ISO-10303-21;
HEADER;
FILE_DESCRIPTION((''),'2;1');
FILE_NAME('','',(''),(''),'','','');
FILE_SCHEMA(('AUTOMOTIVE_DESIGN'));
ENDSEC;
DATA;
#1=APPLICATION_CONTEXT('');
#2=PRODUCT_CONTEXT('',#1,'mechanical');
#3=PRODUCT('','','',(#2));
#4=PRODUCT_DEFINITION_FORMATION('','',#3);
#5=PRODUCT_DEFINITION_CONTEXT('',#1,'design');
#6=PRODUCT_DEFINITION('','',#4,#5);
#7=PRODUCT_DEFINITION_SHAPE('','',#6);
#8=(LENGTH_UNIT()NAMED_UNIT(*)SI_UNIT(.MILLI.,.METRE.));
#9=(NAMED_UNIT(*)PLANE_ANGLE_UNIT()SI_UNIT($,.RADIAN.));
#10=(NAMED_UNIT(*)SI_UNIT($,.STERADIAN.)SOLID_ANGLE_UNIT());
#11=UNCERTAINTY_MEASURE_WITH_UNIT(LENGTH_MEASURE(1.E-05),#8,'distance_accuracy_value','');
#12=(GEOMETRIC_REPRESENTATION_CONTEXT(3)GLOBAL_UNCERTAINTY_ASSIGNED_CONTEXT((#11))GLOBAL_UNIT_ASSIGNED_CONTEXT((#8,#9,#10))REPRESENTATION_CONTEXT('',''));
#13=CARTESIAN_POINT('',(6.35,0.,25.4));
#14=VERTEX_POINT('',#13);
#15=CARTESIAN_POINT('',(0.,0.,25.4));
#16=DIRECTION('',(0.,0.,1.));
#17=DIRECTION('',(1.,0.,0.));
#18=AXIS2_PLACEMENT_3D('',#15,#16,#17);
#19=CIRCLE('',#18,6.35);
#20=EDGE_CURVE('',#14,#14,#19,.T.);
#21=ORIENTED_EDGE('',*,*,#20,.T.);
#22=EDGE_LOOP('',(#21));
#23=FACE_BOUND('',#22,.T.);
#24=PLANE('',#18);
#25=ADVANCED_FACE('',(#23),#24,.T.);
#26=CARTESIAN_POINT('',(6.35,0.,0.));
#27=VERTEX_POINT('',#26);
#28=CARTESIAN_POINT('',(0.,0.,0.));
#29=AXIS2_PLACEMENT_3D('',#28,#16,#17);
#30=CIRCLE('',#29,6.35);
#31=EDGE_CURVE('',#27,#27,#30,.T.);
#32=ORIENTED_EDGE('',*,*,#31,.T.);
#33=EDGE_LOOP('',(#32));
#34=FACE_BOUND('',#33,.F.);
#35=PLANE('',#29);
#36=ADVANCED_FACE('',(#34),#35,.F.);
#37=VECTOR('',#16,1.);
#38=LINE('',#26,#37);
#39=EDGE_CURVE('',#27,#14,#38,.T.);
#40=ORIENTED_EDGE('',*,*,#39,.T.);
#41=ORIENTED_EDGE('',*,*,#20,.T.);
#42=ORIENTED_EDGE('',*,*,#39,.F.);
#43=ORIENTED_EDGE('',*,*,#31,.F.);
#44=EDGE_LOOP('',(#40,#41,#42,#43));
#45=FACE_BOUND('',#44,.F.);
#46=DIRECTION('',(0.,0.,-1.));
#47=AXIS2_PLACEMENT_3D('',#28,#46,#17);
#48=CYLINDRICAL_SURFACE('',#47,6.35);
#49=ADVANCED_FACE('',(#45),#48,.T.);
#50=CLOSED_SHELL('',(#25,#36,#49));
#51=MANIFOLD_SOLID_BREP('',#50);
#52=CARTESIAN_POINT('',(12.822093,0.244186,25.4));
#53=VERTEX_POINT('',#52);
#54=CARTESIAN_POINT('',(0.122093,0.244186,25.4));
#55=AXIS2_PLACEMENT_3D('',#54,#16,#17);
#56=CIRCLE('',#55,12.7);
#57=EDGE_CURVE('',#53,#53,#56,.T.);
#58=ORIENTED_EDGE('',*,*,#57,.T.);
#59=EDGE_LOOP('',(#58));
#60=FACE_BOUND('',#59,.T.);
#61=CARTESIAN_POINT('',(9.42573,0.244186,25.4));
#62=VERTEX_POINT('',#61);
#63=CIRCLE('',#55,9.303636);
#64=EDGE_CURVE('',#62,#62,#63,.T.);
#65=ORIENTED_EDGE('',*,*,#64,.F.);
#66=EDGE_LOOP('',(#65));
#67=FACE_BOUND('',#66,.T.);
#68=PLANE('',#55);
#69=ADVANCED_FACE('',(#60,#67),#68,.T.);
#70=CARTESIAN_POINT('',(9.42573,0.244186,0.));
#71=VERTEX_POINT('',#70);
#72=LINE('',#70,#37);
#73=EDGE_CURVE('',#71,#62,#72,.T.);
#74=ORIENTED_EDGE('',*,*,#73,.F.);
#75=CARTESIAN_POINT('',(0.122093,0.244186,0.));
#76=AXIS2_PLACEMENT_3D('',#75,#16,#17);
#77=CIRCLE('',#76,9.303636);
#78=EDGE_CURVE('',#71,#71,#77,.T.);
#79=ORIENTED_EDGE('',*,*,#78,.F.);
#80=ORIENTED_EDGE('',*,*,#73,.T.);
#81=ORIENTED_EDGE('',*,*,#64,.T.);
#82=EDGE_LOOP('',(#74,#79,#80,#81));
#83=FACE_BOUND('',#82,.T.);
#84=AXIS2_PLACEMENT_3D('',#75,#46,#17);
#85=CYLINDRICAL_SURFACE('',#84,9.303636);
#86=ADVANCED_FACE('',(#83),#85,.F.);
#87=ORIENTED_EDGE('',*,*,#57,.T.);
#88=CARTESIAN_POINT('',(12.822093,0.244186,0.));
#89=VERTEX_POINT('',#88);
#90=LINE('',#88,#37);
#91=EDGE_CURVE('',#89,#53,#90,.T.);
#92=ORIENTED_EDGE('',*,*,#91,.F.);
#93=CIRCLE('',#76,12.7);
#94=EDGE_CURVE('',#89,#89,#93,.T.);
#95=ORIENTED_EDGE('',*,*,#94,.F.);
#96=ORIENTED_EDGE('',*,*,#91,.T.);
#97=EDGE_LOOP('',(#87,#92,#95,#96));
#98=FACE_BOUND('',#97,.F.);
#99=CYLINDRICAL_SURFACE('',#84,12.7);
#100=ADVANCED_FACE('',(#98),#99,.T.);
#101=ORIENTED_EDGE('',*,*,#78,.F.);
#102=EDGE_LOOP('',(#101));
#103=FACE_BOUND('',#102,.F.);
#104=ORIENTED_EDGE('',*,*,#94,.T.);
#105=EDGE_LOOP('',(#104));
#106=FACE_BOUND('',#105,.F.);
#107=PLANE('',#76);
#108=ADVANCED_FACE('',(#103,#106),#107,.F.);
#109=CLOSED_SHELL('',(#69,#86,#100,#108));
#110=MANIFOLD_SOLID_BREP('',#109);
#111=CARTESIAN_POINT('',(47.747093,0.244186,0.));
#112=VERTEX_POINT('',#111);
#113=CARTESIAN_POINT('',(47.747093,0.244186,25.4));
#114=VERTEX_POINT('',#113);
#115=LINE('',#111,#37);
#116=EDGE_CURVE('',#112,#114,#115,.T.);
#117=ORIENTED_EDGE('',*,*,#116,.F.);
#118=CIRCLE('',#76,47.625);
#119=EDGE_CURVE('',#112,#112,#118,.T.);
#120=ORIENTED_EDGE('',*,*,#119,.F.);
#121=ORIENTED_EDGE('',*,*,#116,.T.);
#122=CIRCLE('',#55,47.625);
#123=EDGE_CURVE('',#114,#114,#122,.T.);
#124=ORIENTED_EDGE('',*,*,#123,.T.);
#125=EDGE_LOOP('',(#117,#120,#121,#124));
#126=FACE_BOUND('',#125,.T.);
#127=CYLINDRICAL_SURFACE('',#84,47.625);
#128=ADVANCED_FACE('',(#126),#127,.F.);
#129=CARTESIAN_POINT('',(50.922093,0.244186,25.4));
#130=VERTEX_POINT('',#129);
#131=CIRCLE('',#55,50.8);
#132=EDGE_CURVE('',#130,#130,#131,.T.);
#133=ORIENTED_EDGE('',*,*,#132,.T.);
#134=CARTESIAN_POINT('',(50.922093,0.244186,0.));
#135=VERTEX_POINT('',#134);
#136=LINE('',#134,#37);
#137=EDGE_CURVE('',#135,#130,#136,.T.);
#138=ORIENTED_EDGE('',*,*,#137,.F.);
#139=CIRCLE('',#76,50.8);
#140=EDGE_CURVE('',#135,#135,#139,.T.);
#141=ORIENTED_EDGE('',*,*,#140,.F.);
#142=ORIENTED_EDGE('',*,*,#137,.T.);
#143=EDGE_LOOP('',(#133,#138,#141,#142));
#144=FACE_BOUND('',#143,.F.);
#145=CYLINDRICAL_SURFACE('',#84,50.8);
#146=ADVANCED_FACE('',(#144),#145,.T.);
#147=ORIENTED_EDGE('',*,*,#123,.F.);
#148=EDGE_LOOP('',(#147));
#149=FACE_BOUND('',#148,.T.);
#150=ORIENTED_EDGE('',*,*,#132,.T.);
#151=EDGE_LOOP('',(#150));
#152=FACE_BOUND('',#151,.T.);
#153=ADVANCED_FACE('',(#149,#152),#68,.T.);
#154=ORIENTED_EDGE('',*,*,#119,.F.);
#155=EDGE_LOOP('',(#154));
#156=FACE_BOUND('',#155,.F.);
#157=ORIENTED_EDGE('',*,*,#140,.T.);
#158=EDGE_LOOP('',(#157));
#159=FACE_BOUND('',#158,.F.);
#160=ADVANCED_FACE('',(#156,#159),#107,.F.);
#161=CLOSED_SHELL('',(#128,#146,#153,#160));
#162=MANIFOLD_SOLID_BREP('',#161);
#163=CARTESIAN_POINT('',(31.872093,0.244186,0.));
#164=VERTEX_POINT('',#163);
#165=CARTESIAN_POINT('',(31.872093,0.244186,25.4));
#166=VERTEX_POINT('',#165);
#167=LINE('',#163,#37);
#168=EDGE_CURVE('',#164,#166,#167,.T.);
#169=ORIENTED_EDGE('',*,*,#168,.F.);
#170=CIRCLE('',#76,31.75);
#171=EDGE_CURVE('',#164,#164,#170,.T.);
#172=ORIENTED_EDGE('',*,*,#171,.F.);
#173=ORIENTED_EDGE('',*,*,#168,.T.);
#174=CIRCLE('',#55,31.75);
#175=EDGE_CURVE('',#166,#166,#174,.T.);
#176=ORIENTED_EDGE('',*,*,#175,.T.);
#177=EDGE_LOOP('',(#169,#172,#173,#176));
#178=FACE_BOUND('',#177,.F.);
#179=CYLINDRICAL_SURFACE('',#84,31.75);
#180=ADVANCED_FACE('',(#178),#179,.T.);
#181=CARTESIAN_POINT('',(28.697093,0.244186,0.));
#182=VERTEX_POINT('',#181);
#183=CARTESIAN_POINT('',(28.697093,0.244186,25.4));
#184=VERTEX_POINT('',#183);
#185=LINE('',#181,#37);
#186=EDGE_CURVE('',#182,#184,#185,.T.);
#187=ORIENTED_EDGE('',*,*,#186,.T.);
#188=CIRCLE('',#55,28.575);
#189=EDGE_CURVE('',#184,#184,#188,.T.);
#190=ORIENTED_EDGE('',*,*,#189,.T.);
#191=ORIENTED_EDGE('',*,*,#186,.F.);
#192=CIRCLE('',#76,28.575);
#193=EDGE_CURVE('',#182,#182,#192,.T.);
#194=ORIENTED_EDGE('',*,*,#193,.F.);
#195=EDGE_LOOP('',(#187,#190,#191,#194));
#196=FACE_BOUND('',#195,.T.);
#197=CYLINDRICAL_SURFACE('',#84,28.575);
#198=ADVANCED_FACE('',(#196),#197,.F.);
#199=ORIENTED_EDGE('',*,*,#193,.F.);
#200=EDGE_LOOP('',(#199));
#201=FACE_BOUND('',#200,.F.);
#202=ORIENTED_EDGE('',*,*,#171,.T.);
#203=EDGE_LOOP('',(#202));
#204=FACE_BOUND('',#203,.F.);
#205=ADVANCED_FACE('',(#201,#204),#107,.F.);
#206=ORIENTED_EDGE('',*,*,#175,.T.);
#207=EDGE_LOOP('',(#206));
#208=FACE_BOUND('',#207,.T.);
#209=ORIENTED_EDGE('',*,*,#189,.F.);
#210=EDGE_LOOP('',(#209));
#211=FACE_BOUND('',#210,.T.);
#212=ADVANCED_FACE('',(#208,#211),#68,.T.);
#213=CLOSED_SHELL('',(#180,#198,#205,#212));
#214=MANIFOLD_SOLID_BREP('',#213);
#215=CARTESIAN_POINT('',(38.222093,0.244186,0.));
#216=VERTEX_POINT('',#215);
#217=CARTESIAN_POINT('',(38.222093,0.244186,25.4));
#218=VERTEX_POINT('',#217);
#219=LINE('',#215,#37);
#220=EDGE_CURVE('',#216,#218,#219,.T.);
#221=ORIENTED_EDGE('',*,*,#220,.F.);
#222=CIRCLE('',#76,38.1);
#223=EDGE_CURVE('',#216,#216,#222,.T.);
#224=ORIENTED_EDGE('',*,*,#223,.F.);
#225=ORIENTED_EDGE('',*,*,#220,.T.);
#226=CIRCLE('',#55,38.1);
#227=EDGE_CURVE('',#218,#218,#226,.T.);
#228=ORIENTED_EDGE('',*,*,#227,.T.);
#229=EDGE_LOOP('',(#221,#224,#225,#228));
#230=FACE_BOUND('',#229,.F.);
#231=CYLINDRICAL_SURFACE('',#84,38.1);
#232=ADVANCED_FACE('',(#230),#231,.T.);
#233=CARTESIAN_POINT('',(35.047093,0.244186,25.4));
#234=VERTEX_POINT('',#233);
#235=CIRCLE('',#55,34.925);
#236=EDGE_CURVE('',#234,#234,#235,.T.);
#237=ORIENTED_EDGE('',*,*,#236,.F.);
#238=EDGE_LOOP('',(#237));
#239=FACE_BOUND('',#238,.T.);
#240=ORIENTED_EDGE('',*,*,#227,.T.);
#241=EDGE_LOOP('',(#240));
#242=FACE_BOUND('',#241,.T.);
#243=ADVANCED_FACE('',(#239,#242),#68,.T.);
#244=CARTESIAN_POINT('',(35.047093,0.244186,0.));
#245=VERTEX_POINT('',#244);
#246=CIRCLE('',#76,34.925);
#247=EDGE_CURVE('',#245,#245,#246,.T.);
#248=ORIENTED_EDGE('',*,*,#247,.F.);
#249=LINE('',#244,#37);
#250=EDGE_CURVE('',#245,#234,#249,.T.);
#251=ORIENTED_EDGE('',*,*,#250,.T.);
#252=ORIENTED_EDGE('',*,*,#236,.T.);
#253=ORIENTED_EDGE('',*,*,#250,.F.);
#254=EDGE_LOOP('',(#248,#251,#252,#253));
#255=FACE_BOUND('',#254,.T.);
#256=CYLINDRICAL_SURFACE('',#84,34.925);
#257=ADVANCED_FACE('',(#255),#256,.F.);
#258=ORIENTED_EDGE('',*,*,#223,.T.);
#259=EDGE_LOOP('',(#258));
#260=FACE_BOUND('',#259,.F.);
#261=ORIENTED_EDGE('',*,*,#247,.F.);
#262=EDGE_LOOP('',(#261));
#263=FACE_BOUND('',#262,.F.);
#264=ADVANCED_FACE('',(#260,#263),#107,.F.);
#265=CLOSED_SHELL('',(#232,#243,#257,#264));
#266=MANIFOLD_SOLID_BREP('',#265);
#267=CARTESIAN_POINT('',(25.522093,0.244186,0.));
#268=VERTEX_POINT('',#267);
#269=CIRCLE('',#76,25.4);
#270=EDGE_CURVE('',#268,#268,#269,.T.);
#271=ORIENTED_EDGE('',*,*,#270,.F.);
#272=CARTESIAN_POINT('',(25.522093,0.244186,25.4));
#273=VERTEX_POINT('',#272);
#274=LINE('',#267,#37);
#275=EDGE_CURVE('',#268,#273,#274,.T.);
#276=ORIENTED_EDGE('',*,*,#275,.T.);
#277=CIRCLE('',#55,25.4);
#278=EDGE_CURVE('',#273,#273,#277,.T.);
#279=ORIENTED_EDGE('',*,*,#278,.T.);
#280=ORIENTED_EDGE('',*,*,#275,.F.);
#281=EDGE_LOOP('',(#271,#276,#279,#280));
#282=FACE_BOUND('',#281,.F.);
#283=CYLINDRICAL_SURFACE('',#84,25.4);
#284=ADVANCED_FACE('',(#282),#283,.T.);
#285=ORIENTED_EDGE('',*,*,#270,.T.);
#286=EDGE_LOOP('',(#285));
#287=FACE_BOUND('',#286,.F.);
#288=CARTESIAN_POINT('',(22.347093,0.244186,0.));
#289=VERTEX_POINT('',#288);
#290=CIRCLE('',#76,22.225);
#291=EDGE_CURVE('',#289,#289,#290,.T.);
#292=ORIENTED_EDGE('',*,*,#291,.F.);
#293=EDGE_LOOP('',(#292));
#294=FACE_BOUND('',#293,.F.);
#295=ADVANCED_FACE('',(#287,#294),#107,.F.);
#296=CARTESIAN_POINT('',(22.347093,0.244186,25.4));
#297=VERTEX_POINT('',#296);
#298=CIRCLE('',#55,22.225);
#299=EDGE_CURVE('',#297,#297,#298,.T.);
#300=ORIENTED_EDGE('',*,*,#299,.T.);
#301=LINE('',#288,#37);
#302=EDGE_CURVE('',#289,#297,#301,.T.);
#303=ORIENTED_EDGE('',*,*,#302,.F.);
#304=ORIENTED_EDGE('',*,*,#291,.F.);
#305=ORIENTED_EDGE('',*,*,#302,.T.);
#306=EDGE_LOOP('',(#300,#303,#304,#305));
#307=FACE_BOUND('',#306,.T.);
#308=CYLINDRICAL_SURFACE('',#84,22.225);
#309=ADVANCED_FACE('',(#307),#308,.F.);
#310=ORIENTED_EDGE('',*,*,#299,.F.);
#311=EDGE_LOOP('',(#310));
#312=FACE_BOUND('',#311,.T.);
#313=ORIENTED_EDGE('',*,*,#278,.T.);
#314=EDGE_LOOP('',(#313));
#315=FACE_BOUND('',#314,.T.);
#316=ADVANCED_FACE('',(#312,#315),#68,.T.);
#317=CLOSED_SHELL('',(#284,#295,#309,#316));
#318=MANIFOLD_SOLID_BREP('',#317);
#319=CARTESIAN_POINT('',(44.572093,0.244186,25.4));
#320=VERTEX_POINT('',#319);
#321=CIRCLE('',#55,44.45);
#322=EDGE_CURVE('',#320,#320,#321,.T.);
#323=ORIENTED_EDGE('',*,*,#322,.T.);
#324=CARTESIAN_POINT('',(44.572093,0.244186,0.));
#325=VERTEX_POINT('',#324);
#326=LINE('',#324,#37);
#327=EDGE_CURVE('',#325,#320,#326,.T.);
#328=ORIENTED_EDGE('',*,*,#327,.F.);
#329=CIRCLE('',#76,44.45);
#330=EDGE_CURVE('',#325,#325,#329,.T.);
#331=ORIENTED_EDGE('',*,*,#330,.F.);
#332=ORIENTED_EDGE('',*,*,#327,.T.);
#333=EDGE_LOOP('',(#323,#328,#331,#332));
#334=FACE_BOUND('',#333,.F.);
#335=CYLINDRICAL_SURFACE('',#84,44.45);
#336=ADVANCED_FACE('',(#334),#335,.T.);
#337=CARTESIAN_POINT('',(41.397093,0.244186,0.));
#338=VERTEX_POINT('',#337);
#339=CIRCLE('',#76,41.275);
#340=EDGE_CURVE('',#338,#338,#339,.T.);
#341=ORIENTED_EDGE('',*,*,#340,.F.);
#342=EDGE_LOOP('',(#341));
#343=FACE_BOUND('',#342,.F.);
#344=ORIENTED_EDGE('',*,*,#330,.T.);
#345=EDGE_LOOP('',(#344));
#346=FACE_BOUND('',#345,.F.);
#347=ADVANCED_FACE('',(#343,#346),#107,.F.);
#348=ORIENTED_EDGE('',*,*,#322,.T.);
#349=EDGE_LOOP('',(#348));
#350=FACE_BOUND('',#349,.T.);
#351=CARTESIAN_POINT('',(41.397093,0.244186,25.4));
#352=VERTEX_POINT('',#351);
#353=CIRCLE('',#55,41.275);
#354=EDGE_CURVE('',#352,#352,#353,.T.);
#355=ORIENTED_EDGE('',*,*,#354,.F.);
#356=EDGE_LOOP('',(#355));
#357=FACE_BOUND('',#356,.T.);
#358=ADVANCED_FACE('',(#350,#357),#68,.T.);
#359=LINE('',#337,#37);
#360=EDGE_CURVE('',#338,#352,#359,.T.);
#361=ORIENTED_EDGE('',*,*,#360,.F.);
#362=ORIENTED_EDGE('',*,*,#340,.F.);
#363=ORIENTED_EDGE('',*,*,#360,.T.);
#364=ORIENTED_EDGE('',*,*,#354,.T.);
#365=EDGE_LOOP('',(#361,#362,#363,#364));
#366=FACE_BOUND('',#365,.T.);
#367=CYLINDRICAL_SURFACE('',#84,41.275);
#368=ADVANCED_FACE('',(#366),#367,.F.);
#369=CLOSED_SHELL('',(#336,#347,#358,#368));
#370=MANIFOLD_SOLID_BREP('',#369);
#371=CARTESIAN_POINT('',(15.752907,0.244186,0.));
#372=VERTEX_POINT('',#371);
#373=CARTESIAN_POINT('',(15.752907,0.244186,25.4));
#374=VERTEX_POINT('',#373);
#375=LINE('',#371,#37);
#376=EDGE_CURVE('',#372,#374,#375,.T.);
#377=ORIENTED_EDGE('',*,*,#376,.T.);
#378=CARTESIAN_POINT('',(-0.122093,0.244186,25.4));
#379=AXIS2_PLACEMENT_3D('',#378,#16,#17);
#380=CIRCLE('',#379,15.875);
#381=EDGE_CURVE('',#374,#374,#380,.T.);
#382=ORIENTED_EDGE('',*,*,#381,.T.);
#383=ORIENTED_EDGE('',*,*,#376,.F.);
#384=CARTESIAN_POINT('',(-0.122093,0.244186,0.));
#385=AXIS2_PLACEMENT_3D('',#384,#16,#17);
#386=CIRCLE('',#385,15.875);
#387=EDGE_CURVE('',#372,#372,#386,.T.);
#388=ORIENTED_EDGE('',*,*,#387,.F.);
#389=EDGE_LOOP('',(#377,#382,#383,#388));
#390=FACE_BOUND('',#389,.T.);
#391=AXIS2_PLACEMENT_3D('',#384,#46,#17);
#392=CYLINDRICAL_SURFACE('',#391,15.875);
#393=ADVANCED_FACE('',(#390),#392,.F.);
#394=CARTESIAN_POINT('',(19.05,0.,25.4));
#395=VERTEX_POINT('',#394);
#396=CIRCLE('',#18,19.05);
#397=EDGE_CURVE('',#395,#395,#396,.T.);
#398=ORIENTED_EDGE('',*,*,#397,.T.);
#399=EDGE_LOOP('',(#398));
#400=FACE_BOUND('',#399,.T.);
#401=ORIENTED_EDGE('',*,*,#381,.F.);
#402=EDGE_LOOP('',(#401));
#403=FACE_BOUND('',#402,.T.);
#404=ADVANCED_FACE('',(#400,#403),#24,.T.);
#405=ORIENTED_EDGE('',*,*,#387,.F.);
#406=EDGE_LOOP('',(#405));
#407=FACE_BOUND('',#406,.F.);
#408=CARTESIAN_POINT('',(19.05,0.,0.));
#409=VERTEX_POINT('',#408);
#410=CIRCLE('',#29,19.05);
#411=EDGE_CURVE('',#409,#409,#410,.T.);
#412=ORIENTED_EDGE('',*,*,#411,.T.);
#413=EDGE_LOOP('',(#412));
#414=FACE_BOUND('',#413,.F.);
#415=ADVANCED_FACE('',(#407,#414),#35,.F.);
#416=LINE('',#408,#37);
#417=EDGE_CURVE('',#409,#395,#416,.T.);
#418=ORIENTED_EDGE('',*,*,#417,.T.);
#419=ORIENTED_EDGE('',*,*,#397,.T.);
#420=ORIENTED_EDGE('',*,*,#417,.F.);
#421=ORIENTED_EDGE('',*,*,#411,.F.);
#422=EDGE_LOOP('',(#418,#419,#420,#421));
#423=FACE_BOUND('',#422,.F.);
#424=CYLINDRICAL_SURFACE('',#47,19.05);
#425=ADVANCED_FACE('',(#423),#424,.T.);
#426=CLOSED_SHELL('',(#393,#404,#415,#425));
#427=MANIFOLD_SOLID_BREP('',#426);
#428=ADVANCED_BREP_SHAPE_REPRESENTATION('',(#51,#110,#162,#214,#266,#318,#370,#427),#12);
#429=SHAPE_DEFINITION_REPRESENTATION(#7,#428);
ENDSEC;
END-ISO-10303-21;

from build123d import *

# Parameters (mm, degrees)
F0_R     = 6.35
F1_DEPTH = 25.4
F0_R_2   = 12.7
F0_R_3   = 9.3036363398
F0_R_4   = 19.05
F0_R_5   = 15.875
F0_R_6   = 25.4
F0_R_7   = 22.225
F0_R_8   = 31.75
F0_R_9   = 28.575
F0_R_10  = 38.1
F0_R_11  = 34.925
F2_DEPTH = 25.4
F0_R_12  = 44.45
F0_R_13  = 41.275
F0_R_14  = 50.8
F0_R_15  = 47.625


with BuildPart() as f1:
    # F0 (on Top) → F1 (new body)
    with BuildSketch(Plane.XY):
        Circle(F0_R)
    extrude(amount=F1_DEPTH)


with BuildPart() as f1b:
    # F0 (on Top) → F1, piece 2 (new body)
    with BuildSketch(Plane.XY):
        with Locations((0.1220932784, 0.244185629)):
            Circle(F0_R_2)
        with Locations((0.1220932784, 0.244185629)):
            Circle(F0_R_3, mode=Mode.SUBTRACT)
    extrude(amount=F1_DEPTH)


with BuildPart() as f1c:
    # F0 (on Top) → F1, piece 3 (new body)
    with BuildSketch(Plane.XY):
        Circle(F0_R_4)
        with Locations((-0.1220932784, 0.244185629)):
            Circle(F0_R_5, mode=Mode.SUBTRACT)
    extrude(amount=F1_DEPTH)


with BuildPart() as f1d:
    # F0 (on Top) → F1, piece 4 (new body)
    with BuildSketch(Plane.XY):
        with Locations((0.1220932784, 0.244185629)):
            Circle(F0_R_6)
        with Locations((0.1220932784, 0.244185629)):
            Circle(F0_R_7, mode=Mode.SUBTRACT)
    extrude(amount=F1_DEPTH)


with BuildPart() as f1e:
    # F0 (on Top) → F1, piece 5 (new body)
    with BuildSketch(Plane.XY):
        with Locations((0.1220932784, 0.244185629)):
            Circle(F0_R_8)
        with Locations((0.1220932784, 0.244185629)):
            Circle(F0_R_9, mode=Mode.SUBTRACT)
    extrude(amount=F1_DEPTH)


with BuildPart() as f2:
    # F0 (on Top) → F2 (new body)
    with BuildSketch(Plane.XY):
        with Locations((0.1220932784, 0.244185629)):
            Circle(F0_R_10)
        with Locations((0.1220932784, 0.244185629)):
            Circle(F0_R_11, mode=Mode.SUBTRACT)
    extrude(amount=F2_DEPTH)


with BuildPart() as f2b:
    # F0 (on Top) → F2, piece 2 (new body)
    with BuildSketch(Plane.XY):
        with Locations((0.1220932784, 0.244185629)):
            Circle(F0_R_12)
        with Locations((0.1220932784, 0.244185629)):
            Circle(F0_R_13, mode=Mode.SUBTRACT)
    extrude(amount=F2_DEPTH)


with BuildPart() as f2c:
    # F0 (on Top) → F2, piece 3 (new body)
    with BuildSketch(Plane.XY):
        with Locations((0.1220932784, 0.244185629)):
            Circle(F0_R_14)
        with Locations((0.1220932784, 0.244185629)):
            Circle(F0_R_15, mode=Mode.SUBTRACT)
    extrude(amount=F2_DEPTH)


solid = Compound([f1.part, f1b.part, f1c.part, f1d.part, f1e.part, f2.part, f2b.part, f2c.part])
